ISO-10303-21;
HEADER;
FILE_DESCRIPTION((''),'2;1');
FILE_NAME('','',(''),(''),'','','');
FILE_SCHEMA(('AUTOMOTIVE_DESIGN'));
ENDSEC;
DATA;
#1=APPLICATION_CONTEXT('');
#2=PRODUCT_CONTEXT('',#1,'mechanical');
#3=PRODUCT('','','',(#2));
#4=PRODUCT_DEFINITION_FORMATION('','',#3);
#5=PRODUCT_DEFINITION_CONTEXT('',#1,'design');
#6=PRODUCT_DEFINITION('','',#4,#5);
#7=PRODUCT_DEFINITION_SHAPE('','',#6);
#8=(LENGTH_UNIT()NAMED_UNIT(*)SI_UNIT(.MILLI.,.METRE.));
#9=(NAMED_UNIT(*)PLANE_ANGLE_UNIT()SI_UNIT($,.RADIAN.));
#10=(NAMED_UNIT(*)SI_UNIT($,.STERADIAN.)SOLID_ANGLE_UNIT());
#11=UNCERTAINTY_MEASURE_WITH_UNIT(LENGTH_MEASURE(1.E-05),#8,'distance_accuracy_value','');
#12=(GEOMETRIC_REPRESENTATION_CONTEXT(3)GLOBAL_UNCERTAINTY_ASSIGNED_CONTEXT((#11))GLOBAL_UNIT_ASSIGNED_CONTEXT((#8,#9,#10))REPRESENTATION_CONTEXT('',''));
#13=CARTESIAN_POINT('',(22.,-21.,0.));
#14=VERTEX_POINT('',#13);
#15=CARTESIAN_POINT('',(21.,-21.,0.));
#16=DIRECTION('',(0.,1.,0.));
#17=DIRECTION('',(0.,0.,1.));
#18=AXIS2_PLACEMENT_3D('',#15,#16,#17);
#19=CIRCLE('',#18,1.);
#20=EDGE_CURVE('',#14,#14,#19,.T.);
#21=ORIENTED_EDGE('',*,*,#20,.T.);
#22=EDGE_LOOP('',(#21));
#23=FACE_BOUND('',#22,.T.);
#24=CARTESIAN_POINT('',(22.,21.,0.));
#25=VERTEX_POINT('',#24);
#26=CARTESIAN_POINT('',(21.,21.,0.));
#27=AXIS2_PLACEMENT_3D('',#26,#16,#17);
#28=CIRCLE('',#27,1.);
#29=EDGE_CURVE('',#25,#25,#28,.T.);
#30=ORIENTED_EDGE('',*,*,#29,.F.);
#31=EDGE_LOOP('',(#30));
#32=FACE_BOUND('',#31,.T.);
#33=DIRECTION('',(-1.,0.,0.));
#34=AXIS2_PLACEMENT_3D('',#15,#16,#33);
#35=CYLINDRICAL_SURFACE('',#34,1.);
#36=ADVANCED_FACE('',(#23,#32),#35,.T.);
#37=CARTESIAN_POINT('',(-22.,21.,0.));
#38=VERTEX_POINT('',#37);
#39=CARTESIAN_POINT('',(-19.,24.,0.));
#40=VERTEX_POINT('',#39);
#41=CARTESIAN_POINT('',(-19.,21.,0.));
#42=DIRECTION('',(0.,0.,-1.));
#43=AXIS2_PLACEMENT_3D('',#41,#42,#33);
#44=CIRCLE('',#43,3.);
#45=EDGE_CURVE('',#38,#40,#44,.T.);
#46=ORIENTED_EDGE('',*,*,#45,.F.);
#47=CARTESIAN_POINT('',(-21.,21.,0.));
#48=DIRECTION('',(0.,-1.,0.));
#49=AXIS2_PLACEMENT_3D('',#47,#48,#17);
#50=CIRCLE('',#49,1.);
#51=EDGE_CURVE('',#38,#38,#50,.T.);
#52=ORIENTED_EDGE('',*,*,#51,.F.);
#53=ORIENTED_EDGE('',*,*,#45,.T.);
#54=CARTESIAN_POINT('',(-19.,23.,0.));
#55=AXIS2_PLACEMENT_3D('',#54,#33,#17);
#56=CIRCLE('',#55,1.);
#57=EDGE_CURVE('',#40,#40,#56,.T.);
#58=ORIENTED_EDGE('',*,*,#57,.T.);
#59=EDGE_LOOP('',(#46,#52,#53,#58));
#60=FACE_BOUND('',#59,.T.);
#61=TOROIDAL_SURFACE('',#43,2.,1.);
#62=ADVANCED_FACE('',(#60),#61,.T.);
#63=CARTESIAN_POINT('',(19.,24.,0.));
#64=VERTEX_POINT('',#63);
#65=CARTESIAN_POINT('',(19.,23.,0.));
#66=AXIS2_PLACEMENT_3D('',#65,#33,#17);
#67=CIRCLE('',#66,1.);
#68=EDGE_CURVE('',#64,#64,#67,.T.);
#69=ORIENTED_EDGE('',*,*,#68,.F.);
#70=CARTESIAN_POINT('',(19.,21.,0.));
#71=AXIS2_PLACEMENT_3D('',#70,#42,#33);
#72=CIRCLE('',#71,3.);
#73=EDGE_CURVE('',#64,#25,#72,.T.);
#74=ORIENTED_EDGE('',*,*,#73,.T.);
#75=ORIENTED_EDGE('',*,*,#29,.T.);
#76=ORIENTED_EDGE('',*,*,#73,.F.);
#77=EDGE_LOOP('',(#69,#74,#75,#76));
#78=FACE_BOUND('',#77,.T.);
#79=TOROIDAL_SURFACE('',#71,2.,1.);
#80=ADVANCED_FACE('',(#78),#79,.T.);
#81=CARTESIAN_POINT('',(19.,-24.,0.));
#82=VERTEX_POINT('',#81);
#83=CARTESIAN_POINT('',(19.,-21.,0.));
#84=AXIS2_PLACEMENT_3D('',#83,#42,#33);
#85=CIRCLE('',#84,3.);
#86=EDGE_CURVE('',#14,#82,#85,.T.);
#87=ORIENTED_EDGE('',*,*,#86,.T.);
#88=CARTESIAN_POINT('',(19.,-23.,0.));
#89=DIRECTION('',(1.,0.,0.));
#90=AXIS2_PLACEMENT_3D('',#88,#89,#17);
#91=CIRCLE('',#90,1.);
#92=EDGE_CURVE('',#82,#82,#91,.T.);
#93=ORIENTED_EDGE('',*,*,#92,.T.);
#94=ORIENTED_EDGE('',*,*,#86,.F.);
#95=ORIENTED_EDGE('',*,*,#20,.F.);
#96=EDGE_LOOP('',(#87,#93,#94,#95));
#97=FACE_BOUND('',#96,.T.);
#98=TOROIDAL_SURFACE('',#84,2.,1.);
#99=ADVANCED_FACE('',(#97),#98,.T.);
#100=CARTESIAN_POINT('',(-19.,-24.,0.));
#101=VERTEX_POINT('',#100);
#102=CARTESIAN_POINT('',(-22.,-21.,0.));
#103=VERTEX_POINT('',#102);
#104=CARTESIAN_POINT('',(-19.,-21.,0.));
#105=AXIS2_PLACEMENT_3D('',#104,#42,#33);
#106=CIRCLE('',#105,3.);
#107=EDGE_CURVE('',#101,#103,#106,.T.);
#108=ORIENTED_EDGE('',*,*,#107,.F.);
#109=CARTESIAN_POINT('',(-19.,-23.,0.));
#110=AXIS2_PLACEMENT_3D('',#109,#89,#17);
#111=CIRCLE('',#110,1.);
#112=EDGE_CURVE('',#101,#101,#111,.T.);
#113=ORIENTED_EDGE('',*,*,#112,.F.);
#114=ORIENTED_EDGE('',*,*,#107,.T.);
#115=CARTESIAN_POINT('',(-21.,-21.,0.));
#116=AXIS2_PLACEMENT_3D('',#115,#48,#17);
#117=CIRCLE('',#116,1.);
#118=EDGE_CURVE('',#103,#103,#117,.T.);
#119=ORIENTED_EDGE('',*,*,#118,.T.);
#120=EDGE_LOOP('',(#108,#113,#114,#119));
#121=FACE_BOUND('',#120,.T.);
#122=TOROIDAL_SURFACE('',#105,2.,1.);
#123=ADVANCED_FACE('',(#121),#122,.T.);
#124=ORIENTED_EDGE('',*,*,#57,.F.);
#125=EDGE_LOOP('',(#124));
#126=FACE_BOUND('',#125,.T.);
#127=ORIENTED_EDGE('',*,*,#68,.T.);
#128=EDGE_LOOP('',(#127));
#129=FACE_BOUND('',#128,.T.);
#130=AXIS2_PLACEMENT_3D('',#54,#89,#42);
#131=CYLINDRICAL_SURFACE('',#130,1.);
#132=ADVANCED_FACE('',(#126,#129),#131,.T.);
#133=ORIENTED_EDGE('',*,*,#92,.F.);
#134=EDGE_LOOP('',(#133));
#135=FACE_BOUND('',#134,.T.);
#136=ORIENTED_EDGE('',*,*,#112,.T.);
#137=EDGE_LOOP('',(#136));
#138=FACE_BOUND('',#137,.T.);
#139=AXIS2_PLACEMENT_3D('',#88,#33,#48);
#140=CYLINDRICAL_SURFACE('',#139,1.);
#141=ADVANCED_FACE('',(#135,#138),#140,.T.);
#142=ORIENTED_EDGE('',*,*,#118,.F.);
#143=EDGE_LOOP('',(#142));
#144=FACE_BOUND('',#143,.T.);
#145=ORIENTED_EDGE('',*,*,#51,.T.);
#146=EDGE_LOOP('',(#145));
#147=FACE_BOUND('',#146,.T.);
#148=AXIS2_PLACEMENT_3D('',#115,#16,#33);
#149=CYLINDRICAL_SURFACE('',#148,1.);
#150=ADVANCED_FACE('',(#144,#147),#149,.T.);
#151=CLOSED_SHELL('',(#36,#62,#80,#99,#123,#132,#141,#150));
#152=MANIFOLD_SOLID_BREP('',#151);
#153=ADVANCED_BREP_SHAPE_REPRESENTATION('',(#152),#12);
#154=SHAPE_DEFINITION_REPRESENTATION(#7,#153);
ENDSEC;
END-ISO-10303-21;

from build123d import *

# Parameters (mm, degrees)
ESQUISSE2_R = 1


with BuildPart() as part:
    # Balayage1: sweep along a path in Esquisse1
    with BuildLine(Plane.XY) as balayage1_path:
        Line((-19, 23), (19, 23))
        ThreePointArc((19, 23), (20.414213562, 22.414213562), (21, 21))
        Line((21, 21), (21, -21))
        ThreePointArc((21, -21), (20.414213562, -22.414213562), (19, -23))
        Line((19, -23), (-19, -23))
        ThreePointArc((-19, -23), (-20.414213562, -22.414213562), (-21, -21))
        Line((-21, -21), (-21, 21))
        ThreePointArc((-21, 21), (-20.414213562, 22.414213562), (-19, 23))
    # Esquisse2 → Balayage1 (sweep)
    with BuildSketch(Plane(origin=(0, 0, 0), x_dir=(1, 0, 0), z_dir=(0, 1, 0))):
        with Locations((21, 0)):
            Circle(ESQUISSE2_R)
    sweep(path=balayage1_path.line)


solid = part.part
